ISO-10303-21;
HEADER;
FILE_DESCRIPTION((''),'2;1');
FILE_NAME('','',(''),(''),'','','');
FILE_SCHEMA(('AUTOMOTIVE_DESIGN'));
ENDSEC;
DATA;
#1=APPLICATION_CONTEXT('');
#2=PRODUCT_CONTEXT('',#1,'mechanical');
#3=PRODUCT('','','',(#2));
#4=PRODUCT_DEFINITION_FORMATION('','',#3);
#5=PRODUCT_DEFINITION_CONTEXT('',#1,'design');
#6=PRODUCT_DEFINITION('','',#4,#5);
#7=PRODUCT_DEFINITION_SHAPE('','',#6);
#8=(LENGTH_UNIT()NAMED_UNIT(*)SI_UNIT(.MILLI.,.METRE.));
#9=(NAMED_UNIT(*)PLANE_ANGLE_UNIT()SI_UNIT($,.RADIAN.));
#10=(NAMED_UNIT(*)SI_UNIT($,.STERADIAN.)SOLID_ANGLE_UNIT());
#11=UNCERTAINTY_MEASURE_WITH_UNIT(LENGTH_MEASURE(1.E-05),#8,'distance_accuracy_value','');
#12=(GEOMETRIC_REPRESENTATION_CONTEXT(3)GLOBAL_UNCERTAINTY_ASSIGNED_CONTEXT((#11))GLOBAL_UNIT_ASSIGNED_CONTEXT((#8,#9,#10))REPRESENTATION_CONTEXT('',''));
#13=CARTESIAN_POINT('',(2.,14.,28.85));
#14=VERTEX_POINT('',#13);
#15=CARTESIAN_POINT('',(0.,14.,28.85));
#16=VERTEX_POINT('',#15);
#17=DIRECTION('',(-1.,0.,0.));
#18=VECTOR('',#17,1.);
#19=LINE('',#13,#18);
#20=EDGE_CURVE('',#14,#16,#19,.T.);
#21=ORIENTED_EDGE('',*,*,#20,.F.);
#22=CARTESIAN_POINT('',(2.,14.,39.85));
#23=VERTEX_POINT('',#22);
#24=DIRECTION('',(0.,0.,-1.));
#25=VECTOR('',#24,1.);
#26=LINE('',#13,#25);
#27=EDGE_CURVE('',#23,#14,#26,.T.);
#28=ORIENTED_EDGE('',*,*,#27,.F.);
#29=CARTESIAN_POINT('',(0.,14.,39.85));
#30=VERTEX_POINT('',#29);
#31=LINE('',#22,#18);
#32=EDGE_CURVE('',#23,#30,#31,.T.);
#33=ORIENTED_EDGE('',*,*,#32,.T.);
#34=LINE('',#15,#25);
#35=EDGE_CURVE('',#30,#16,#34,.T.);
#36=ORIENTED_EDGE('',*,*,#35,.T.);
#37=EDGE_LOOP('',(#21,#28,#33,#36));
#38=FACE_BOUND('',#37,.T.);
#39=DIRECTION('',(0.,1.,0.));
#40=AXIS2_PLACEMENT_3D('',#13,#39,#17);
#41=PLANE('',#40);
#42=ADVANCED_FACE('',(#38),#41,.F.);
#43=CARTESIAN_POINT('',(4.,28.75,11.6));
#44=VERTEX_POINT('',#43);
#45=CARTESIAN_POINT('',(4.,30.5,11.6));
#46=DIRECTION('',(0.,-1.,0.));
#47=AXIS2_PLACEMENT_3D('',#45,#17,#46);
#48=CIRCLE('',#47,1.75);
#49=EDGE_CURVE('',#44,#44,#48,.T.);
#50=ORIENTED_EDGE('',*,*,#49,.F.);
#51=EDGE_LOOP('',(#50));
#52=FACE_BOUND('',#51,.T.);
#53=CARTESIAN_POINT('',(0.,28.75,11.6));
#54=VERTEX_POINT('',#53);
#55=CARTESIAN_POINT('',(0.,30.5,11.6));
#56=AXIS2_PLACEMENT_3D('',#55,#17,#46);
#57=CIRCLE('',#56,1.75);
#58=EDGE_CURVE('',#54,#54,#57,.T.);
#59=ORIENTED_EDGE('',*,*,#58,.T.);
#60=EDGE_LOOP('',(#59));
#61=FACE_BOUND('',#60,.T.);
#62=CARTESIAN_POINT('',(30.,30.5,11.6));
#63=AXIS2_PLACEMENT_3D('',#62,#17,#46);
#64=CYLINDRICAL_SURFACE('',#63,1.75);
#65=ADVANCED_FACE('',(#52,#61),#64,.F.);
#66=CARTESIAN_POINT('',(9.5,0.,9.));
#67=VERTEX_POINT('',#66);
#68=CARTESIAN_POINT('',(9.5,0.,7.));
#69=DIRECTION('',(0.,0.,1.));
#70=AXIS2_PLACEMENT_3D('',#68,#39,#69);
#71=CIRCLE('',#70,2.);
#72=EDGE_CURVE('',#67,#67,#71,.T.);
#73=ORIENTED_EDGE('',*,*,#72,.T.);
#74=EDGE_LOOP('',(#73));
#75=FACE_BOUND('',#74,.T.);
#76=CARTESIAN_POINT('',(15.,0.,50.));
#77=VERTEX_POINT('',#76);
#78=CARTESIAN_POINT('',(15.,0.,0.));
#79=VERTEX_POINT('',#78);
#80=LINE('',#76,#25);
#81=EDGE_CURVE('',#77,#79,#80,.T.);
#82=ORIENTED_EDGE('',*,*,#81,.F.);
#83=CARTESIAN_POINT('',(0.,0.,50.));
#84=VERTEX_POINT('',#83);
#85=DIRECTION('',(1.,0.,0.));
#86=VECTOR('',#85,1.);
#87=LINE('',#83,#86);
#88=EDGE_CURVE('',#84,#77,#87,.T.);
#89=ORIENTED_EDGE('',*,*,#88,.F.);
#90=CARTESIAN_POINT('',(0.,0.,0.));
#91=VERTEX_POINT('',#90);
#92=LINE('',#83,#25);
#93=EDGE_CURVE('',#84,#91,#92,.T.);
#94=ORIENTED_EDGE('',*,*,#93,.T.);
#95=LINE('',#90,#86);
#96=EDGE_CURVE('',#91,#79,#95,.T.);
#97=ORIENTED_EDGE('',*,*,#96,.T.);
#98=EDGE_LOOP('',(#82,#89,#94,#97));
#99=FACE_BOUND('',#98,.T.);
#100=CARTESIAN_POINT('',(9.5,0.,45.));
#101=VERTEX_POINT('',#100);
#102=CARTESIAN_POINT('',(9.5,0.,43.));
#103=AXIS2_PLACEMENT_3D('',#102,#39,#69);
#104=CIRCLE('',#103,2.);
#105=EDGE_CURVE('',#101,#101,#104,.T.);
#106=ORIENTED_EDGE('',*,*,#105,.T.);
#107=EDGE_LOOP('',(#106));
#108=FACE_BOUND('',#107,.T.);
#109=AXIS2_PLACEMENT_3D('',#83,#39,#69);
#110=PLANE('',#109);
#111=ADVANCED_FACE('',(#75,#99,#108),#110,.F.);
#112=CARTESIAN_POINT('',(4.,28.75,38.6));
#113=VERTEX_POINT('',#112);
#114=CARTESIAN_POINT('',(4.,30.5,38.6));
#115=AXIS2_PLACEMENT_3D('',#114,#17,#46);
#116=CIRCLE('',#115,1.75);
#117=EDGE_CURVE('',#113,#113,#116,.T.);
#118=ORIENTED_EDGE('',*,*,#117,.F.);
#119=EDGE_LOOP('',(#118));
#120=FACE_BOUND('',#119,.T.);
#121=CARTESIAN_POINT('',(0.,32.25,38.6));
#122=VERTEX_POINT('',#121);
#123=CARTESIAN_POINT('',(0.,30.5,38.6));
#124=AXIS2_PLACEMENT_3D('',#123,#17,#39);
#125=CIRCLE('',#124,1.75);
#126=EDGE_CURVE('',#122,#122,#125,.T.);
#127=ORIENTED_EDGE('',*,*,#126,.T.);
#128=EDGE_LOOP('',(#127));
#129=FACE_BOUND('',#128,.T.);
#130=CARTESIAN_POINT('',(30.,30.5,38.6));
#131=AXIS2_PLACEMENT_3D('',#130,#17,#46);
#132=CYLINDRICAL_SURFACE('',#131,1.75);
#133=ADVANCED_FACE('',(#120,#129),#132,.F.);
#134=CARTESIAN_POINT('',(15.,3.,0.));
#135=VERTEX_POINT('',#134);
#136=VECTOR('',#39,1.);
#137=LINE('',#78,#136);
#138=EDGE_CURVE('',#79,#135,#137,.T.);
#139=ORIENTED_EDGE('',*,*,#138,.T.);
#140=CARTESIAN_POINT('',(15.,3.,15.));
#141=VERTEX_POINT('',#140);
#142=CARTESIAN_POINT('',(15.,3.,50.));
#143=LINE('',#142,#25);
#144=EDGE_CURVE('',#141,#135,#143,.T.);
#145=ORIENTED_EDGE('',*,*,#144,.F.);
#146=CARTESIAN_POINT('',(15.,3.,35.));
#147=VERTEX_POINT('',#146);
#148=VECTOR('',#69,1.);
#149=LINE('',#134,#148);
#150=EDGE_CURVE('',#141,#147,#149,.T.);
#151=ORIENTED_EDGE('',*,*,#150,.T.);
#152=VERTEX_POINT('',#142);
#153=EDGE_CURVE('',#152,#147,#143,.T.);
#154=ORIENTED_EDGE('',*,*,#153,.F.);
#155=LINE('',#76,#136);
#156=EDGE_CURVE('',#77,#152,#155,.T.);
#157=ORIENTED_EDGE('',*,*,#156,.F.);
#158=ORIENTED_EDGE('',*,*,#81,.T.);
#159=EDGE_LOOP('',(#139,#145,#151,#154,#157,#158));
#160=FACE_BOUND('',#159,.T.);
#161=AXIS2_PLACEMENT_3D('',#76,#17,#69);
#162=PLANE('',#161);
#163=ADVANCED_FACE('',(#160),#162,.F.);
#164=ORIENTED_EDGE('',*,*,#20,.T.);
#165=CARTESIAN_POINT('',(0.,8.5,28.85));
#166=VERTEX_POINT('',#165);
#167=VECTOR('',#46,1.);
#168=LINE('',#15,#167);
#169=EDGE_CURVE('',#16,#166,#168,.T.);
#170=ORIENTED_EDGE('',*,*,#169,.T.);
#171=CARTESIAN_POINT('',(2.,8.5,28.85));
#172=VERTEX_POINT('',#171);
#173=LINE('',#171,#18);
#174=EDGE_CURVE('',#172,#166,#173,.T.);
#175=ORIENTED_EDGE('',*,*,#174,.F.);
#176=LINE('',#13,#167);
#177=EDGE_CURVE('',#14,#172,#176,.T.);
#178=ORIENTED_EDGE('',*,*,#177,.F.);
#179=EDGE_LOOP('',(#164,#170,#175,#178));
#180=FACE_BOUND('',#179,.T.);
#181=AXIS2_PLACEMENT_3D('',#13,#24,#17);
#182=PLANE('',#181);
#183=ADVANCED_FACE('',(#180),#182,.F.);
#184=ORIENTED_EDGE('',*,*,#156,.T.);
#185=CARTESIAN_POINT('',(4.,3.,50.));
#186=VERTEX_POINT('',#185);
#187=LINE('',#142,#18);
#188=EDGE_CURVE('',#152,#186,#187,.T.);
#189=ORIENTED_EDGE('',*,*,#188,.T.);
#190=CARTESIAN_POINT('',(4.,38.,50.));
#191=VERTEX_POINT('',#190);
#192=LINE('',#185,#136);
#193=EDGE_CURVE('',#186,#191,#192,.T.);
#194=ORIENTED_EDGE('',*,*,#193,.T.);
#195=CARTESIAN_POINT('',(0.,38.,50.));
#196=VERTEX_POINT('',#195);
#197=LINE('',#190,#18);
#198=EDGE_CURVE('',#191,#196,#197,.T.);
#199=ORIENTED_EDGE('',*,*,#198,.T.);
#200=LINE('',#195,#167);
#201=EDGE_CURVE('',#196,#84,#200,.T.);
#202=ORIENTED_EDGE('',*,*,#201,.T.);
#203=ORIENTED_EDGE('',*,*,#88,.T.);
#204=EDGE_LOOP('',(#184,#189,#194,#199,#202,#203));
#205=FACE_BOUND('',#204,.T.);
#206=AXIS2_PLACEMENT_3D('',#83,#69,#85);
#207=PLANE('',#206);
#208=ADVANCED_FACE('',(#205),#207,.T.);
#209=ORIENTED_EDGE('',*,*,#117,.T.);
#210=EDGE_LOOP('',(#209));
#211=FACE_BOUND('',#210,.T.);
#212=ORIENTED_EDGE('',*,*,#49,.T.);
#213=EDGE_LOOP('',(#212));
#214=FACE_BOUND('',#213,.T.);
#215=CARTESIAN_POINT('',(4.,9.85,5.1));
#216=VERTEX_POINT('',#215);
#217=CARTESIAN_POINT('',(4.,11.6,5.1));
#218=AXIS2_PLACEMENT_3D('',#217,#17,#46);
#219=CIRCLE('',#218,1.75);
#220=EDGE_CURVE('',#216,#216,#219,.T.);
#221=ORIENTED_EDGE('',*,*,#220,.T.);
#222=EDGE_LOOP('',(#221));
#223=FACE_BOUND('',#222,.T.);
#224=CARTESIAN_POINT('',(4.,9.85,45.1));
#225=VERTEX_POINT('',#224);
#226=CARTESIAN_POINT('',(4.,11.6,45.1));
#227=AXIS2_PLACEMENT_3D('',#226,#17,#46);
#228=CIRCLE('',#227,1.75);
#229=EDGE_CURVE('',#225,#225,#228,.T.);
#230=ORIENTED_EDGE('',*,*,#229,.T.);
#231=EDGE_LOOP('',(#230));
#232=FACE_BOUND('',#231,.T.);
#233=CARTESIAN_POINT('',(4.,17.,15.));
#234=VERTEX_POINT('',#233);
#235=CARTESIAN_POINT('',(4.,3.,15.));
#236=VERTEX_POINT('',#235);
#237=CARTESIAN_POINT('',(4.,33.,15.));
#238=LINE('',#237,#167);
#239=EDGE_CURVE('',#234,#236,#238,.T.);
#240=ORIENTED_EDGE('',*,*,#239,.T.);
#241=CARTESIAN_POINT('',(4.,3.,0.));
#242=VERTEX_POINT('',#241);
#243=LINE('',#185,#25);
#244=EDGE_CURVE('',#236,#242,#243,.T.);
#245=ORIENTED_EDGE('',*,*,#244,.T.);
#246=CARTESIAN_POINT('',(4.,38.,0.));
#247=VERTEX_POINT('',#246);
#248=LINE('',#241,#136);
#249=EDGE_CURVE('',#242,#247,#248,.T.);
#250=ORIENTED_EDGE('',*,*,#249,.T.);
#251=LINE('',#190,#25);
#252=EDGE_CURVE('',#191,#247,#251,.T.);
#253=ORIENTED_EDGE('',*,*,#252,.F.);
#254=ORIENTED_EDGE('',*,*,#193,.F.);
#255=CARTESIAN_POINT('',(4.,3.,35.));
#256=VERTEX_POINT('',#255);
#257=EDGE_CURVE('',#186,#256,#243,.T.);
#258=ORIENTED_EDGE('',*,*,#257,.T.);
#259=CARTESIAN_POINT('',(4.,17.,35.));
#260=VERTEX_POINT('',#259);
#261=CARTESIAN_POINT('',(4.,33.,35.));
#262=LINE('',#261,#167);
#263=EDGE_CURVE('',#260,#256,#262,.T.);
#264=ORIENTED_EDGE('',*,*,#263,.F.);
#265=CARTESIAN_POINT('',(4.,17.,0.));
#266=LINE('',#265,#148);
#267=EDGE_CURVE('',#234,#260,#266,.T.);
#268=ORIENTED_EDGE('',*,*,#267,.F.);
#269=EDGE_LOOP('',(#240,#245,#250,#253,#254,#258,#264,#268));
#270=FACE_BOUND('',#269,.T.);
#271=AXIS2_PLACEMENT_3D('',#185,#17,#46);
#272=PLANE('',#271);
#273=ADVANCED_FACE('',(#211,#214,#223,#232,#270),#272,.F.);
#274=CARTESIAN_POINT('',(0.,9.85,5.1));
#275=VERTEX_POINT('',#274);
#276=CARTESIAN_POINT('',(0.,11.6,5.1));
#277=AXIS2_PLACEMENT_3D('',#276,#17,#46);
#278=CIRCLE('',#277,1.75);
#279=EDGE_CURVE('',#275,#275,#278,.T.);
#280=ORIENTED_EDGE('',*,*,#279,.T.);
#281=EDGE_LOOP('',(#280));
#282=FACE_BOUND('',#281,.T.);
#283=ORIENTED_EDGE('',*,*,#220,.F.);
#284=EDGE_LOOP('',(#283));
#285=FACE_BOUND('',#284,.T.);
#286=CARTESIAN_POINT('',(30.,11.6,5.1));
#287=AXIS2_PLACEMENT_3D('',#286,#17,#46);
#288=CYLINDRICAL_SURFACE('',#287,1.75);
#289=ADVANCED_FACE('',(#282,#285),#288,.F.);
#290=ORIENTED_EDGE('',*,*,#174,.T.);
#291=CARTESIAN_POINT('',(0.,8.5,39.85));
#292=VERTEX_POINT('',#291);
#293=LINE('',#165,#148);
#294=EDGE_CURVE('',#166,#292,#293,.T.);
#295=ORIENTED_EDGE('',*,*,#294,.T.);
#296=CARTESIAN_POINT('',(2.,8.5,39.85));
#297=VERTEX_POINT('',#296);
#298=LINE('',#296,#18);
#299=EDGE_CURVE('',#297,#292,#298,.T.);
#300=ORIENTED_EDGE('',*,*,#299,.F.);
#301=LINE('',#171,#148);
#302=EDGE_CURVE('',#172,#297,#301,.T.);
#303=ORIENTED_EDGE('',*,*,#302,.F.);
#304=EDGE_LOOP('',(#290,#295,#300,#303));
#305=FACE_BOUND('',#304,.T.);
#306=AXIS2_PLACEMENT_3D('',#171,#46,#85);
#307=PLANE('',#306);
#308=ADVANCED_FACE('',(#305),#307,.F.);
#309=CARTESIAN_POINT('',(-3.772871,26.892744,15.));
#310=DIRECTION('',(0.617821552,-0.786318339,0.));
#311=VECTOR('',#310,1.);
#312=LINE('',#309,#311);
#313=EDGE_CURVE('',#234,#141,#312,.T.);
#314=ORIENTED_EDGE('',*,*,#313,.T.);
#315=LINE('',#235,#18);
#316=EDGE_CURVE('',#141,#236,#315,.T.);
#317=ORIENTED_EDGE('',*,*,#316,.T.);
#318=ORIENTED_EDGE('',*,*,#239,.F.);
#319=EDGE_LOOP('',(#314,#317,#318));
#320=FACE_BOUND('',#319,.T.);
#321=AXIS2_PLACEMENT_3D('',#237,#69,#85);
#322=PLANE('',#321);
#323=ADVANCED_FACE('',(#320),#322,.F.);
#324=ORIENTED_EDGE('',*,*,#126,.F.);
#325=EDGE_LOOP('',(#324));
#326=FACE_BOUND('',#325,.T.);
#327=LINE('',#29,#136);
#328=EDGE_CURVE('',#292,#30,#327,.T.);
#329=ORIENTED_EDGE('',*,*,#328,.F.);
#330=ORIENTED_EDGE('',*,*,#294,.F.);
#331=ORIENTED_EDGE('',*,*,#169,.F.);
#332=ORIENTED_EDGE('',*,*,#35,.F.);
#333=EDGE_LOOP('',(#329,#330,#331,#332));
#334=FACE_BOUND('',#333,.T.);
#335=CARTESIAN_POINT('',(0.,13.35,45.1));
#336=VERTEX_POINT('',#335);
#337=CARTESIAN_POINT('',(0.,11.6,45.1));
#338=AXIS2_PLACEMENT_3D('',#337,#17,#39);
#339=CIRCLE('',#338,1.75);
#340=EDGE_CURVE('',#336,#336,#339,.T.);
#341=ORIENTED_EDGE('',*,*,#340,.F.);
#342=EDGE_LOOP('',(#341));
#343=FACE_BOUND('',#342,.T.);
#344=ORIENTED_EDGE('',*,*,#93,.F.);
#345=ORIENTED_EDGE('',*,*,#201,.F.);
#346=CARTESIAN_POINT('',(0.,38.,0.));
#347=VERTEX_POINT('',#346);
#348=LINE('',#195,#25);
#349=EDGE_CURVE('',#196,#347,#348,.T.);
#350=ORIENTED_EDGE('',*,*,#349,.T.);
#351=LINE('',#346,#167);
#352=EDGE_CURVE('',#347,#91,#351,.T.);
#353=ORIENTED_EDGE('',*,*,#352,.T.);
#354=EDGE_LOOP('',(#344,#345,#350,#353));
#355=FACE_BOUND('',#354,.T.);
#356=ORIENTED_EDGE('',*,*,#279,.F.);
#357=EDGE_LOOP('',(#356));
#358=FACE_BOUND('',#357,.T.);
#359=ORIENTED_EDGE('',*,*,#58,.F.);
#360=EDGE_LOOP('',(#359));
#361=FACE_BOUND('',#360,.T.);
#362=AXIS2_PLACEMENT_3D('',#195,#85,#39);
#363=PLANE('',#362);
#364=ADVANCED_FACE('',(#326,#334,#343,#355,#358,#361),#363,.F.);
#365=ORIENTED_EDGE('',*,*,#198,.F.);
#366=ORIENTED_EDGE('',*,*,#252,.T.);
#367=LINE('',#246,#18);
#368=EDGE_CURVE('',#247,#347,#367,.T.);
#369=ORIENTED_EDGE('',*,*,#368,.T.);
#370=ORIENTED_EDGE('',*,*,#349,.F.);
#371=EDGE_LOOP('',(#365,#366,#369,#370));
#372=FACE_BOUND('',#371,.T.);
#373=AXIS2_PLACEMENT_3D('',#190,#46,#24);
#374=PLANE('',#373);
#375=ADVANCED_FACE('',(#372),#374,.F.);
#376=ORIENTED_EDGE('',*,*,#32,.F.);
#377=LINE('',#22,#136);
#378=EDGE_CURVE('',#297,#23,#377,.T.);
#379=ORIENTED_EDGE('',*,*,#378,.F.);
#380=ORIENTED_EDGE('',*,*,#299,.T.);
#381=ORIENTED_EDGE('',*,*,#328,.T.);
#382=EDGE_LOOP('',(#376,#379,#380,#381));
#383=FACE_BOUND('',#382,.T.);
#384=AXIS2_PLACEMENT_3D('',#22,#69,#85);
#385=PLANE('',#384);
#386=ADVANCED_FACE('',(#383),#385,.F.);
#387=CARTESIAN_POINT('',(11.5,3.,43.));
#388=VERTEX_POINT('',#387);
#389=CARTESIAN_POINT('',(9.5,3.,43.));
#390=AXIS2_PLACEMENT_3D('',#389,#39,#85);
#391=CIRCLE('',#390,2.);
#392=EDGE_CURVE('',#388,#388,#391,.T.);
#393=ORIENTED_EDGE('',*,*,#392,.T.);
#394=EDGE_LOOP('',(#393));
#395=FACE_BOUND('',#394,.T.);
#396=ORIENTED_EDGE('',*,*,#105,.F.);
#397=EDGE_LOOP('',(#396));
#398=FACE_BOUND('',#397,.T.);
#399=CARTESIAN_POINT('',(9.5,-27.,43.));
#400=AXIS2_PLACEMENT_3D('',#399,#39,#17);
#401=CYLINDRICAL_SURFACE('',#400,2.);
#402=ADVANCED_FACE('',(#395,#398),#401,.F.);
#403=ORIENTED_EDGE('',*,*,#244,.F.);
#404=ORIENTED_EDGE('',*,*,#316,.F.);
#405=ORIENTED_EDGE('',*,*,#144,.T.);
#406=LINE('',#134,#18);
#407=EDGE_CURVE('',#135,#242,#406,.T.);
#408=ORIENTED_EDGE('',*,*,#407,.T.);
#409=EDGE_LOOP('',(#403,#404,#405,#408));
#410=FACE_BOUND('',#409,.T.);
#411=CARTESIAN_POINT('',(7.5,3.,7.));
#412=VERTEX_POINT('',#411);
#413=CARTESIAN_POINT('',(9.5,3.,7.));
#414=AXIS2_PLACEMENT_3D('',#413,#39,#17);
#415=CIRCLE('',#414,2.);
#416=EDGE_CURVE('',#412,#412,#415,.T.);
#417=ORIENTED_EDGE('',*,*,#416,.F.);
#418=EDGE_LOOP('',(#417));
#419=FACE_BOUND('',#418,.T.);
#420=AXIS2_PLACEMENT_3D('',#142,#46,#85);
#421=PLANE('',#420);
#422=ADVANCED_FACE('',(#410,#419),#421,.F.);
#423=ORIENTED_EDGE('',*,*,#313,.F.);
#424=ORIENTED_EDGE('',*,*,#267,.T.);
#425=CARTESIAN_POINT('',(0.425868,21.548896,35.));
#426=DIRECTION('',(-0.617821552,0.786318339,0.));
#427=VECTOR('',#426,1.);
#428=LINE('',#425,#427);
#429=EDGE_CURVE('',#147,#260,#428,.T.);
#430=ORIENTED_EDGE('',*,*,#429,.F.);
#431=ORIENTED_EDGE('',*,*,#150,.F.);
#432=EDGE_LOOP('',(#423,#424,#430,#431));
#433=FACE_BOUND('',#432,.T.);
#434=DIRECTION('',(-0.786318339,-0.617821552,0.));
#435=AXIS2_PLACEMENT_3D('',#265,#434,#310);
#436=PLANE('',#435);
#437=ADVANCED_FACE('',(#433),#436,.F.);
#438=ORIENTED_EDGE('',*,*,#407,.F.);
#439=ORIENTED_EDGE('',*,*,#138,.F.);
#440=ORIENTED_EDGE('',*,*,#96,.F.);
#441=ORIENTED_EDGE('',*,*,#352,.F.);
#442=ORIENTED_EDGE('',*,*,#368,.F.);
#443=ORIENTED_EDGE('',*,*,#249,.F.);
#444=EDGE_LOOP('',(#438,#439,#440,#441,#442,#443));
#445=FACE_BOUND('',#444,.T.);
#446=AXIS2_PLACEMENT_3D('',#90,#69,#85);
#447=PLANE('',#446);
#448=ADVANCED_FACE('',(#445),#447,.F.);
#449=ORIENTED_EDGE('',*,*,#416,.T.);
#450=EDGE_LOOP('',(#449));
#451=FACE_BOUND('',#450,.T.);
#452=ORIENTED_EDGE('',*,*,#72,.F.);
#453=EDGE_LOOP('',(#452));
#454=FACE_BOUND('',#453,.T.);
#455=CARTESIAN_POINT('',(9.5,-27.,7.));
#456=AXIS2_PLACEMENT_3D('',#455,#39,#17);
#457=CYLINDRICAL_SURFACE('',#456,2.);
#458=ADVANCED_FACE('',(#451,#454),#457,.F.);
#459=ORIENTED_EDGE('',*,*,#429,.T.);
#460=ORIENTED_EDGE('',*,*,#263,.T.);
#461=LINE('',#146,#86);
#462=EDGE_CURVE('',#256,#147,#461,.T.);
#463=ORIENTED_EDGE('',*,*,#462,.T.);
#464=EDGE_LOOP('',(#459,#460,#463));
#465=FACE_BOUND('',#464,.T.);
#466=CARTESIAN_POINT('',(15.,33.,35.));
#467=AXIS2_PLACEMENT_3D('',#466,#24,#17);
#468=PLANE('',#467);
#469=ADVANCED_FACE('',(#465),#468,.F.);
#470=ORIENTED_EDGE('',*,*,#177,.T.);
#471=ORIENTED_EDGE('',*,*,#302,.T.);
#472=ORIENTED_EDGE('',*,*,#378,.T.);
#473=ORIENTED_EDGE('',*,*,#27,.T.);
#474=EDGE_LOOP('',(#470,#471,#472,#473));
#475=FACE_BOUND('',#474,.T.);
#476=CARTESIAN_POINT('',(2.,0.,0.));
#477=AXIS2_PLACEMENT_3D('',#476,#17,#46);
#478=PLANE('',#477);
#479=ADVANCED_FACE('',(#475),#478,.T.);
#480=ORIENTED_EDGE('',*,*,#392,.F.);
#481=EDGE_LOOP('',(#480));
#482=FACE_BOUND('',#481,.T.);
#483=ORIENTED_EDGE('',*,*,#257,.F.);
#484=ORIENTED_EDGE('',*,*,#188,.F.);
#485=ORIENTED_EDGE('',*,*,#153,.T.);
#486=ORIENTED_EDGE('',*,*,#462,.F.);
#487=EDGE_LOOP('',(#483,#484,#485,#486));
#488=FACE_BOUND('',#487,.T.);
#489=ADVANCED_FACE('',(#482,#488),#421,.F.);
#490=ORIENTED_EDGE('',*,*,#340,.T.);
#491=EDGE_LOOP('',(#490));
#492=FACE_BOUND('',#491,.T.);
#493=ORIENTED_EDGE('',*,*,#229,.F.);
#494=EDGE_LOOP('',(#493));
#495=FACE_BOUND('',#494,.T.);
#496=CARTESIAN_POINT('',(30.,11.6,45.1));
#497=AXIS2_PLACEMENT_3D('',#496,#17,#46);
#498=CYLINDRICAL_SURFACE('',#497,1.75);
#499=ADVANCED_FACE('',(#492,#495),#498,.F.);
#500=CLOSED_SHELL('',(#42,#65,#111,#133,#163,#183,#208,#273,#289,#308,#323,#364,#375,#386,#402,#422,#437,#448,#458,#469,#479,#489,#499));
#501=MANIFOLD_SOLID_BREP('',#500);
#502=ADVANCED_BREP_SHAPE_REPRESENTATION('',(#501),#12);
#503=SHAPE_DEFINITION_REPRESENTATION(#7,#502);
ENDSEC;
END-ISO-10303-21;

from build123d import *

# Parameters (mm, degrees)
BOSS_EXTRUDE1_DEPTH = 50
SKETCH2_W           = 11
SKETCH2_H           = 20
BOSS_EXTRUDE2_DEPTH = 30
CUT_EXTRUDE1_DEPTH  = 65.567793829
SKETCH4_R           = 1.75
CUT_EXTRUDE2_DEPTH  = 30
SKETCH5_R           = 2
CUT_EXTRUDE3_DEPTH  = 30
SKETCH6_W           = 11
SKETCH6_H           = 5.5
CUT_EXTRUDE4_DEPTH  = 2


with BuildPart() as part:
    # Sketch1 → Boss-Extrude1 (new body)
    with BuildSketch(Plane.XY):
        Polygon((0, 38), (0, 0), (15, 0), (15, 3), (4, 3), (4, 38), align=None)
    extrude(amount=BOSS_EXTRUDE1_DEPTH)

    # Sketch2 → Boss-Extrude2 (add)
    with BuildSketch(Plane(origin=(0, 3, 0), x_dir=(1, 0, 0), z_dir=(0, 1, 0))):
        with Locations((9.5, -25)):
            Rectangle(SKETCH2_W, SKETCH2_H)
    extrude(amount=BOSS_EXTRUDE2_DEPTH)

    # Sketch3 → Cut-Extrude1 (cut, through all)
    with BuildSketch(Plane.XY.offset(50)):
        Polygon((4, 33), (4, 17), (15, 3), (15, 33), align=None)
    extrude(amount=-CUT_EXTRUDE1_DEPTH, mode=Mode.SUBTRACT)

    # Sketch4 → Cut-Extrude2 (cut)
    with BuildSketch(Plane.ZY):
        with Locations(Location((5.1, 11.6, 0), (0, 0, 270))):
            Circle(SKETCH4_R)
        with Locations(Location((11.6, 30.5, 0), (0, 0, 270))):
            Circle(SKETCH4_R)
        with Locations(Location((45.1, 11.6, 0), (0, 0, 270))):
            Circle(SKETCH4_R)
        with Locations(Location((38.6, 30.5, 0), (0, 0, 270))):
            Circle(SKETCH4_R)
    extrude(amount=-CUT_EXTRUDE2_DEPTH, mode=Mode.SUBTRACT)

    # Sketch5 → Cut-Extrude3 (cut)
    with BuildSketch(Plane(origin=(0, 3, 0), x_dir=(1, 0, 0), z_dir=(0, 1, 0))):
        with Locations(Location((9.5, -43, 0), (0, 0, 270))):
            Circle(SKETCH5_R)
        with Locations(Location((9.5, -7, 0), (0, 0, 180))):
            Circle(SKETCH5_R)
    extrude(amount=-CUT_EXTRUDE3_DEPTH, mode=Mode.SUBTRACT)

    # Sketch6 → Cut-Extrude4 (cut)
    with BuildSketch(Plane.ZY):
        with Locations((34.35, 11.25)):
            Rectangle(SKETCH6_W, SKETCH6_H)
    extrude(amount=-CUT_EXTRUDE4_DEPTH, mode=Mode.SUBTRACT)


solid = part.part
